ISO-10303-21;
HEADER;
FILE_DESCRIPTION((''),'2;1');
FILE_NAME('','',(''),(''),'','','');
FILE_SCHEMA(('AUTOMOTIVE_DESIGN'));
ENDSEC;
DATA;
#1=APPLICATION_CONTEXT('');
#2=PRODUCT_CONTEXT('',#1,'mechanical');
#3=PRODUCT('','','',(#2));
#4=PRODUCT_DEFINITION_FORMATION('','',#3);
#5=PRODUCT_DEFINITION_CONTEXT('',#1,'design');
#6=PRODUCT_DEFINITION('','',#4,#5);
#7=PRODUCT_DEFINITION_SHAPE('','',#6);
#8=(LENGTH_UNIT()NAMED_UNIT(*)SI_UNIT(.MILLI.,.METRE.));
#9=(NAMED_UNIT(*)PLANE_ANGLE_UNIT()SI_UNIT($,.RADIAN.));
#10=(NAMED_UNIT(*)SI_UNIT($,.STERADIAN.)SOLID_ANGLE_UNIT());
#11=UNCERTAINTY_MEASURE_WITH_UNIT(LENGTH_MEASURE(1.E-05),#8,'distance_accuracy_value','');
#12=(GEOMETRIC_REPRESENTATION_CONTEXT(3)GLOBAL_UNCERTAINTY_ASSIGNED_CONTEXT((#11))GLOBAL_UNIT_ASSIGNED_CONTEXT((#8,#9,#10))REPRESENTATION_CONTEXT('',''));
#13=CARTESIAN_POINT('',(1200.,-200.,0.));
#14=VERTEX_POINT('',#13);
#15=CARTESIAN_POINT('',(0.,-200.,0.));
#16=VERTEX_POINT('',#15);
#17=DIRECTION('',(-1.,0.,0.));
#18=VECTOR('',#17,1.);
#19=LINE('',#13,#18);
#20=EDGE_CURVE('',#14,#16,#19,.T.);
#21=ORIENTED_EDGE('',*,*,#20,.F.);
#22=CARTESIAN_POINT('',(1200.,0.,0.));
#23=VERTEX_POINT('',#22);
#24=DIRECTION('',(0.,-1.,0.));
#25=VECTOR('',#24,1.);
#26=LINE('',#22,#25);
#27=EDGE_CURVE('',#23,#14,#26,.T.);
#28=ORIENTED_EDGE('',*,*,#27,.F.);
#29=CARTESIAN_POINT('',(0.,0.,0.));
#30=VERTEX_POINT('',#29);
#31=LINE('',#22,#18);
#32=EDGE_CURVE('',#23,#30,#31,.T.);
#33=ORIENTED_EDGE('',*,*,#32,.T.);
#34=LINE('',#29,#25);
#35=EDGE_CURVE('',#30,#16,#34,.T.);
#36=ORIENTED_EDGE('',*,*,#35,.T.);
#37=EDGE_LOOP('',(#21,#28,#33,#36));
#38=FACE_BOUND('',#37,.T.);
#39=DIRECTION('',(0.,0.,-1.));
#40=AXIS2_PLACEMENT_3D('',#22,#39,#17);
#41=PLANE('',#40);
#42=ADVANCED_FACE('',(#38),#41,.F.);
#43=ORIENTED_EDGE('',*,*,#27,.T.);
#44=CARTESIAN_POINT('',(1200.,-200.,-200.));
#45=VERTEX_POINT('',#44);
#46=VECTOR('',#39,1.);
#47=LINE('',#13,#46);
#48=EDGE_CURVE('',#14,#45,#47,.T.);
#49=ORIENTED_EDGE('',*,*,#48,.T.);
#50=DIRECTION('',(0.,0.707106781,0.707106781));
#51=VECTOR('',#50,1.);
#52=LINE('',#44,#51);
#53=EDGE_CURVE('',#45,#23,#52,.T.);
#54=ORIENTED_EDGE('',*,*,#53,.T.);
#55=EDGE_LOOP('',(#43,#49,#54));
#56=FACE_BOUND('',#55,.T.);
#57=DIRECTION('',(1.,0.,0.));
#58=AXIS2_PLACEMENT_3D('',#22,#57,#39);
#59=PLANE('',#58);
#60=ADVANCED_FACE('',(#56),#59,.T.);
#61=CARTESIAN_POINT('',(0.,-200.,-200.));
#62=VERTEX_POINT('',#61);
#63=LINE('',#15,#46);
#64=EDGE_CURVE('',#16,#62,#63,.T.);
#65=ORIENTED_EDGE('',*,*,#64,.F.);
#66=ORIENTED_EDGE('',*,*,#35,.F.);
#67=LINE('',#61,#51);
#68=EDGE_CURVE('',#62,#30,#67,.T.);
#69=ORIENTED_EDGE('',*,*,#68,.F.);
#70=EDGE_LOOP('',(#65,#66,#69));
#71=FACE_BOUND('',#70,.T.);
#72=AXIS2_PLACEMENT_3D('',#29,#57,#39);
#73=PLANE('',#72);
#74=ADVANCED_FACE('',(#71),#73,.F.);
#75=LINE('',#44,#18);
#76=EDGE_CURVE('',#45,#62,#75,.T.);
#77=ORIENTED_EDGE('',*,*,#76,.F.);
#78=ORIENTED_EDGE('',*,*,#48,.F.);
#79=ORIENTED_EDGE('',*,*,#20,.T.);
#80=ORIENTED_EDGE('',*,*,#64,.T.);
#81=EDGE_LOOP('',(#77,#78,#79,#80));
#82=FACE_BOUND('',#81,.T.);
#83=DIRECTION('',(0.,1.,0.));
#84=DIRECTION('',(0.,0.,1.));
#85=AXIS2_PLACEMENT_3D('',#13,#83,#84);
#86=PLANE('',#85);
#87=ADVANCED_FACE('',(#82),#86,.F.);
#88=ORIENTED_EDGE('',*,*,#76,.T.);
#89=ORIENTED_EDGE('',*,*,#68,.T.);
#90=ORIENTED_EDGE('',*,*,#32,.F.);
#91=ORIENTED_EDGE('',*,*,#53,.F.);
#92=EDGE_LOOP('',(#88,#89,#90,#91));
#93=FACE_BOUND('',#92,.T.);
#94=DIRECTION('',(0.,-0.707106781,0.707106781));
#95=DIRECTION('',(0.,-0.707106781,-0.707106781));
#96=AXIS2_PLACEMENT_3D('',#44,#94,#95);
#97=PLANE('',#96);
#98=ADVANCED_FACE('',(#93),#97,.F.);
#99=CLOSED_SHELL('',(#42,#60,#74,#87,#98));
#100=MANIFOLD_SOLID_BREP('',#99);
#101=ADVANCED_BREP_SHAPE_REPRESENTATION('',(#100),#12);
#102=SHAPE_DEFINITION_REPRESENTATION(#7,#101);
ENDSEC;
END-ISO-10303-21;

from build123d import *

# Parameters (mm, degrees)
EXTRUDE_1_DEPTH = 1200


with BuildPart() as part:
    # 草图1 → 凸台-拉伸1 (new body)
    with BuildSketch(Plane(origin=(0, 0, 0), x_dir=(0, 0, -1), z_dir=(1, 0, 0))):
        Polygon((0, 0), (0, -200), (200, -200), align=None)
    extrude(amount=EXTRUDE_1_DEPTH)


solid = part.part
